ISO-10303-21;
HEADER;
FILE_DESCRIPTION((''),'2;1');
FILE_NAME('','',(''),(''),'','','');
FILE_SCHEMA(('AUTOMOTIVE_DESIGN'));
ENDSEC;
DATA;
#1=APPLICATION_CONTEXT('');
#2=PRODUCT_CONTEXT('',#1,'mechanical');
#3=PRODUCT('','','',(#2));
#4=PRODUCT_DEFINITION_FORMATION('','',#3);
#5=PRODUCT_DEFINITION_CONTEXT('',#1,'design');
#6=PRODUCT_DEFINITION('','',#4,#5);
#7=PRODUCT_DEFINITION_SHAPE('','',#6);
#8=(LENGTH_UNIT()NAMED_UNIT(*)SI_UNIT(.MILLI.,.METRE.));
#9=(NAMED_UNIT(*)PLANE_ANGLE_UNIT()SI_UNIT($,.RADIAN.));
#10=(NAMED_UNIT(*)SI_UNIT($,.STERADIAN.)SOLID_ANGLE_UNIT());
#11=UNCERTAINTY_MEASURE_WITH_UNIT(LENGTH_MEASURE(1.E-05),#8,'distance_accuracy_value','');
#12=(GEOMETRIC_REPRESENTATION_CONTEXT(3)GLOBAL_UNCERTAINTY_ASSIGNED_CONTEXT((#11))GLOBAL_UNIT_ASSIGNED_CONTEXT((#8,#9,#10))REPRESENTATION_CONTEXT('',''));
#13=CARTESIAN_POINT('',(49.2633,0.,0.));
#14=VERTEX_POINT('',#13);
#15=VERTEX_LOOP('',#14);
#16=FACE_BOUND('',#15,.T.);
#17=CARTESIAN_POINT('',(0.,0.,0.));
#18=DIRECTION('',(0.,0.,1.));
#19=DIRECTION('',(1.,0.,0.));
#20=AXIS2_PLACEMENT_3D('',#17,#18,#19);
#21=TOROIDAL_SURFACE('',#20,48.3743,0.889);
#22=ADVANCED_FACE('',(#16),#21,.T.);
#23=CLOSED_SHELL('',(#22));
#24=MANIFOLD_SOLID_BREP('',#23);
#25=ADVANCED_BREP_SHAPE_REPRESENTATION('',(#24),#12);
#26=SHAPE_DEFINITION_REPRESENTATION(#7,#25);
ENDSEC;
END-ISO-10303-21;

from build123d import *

# Parameters (mm, degrees)
SKETCH1_R = 0.889


with BuildPart() as part:
    # Sketch1 → Revolve1 (revolve)
    with BuildSketch(Plane(origin=(0, 0, 0), x_dir=(0, -1, 0), z_dir=(1, 0, 0))):
        with Locations((48.3743, 0)):
            Circle(SKETCH1_R)
    revolve(axis=Axis((0, 0, 0.889), (0, 0, -1)))


solid = part.part
